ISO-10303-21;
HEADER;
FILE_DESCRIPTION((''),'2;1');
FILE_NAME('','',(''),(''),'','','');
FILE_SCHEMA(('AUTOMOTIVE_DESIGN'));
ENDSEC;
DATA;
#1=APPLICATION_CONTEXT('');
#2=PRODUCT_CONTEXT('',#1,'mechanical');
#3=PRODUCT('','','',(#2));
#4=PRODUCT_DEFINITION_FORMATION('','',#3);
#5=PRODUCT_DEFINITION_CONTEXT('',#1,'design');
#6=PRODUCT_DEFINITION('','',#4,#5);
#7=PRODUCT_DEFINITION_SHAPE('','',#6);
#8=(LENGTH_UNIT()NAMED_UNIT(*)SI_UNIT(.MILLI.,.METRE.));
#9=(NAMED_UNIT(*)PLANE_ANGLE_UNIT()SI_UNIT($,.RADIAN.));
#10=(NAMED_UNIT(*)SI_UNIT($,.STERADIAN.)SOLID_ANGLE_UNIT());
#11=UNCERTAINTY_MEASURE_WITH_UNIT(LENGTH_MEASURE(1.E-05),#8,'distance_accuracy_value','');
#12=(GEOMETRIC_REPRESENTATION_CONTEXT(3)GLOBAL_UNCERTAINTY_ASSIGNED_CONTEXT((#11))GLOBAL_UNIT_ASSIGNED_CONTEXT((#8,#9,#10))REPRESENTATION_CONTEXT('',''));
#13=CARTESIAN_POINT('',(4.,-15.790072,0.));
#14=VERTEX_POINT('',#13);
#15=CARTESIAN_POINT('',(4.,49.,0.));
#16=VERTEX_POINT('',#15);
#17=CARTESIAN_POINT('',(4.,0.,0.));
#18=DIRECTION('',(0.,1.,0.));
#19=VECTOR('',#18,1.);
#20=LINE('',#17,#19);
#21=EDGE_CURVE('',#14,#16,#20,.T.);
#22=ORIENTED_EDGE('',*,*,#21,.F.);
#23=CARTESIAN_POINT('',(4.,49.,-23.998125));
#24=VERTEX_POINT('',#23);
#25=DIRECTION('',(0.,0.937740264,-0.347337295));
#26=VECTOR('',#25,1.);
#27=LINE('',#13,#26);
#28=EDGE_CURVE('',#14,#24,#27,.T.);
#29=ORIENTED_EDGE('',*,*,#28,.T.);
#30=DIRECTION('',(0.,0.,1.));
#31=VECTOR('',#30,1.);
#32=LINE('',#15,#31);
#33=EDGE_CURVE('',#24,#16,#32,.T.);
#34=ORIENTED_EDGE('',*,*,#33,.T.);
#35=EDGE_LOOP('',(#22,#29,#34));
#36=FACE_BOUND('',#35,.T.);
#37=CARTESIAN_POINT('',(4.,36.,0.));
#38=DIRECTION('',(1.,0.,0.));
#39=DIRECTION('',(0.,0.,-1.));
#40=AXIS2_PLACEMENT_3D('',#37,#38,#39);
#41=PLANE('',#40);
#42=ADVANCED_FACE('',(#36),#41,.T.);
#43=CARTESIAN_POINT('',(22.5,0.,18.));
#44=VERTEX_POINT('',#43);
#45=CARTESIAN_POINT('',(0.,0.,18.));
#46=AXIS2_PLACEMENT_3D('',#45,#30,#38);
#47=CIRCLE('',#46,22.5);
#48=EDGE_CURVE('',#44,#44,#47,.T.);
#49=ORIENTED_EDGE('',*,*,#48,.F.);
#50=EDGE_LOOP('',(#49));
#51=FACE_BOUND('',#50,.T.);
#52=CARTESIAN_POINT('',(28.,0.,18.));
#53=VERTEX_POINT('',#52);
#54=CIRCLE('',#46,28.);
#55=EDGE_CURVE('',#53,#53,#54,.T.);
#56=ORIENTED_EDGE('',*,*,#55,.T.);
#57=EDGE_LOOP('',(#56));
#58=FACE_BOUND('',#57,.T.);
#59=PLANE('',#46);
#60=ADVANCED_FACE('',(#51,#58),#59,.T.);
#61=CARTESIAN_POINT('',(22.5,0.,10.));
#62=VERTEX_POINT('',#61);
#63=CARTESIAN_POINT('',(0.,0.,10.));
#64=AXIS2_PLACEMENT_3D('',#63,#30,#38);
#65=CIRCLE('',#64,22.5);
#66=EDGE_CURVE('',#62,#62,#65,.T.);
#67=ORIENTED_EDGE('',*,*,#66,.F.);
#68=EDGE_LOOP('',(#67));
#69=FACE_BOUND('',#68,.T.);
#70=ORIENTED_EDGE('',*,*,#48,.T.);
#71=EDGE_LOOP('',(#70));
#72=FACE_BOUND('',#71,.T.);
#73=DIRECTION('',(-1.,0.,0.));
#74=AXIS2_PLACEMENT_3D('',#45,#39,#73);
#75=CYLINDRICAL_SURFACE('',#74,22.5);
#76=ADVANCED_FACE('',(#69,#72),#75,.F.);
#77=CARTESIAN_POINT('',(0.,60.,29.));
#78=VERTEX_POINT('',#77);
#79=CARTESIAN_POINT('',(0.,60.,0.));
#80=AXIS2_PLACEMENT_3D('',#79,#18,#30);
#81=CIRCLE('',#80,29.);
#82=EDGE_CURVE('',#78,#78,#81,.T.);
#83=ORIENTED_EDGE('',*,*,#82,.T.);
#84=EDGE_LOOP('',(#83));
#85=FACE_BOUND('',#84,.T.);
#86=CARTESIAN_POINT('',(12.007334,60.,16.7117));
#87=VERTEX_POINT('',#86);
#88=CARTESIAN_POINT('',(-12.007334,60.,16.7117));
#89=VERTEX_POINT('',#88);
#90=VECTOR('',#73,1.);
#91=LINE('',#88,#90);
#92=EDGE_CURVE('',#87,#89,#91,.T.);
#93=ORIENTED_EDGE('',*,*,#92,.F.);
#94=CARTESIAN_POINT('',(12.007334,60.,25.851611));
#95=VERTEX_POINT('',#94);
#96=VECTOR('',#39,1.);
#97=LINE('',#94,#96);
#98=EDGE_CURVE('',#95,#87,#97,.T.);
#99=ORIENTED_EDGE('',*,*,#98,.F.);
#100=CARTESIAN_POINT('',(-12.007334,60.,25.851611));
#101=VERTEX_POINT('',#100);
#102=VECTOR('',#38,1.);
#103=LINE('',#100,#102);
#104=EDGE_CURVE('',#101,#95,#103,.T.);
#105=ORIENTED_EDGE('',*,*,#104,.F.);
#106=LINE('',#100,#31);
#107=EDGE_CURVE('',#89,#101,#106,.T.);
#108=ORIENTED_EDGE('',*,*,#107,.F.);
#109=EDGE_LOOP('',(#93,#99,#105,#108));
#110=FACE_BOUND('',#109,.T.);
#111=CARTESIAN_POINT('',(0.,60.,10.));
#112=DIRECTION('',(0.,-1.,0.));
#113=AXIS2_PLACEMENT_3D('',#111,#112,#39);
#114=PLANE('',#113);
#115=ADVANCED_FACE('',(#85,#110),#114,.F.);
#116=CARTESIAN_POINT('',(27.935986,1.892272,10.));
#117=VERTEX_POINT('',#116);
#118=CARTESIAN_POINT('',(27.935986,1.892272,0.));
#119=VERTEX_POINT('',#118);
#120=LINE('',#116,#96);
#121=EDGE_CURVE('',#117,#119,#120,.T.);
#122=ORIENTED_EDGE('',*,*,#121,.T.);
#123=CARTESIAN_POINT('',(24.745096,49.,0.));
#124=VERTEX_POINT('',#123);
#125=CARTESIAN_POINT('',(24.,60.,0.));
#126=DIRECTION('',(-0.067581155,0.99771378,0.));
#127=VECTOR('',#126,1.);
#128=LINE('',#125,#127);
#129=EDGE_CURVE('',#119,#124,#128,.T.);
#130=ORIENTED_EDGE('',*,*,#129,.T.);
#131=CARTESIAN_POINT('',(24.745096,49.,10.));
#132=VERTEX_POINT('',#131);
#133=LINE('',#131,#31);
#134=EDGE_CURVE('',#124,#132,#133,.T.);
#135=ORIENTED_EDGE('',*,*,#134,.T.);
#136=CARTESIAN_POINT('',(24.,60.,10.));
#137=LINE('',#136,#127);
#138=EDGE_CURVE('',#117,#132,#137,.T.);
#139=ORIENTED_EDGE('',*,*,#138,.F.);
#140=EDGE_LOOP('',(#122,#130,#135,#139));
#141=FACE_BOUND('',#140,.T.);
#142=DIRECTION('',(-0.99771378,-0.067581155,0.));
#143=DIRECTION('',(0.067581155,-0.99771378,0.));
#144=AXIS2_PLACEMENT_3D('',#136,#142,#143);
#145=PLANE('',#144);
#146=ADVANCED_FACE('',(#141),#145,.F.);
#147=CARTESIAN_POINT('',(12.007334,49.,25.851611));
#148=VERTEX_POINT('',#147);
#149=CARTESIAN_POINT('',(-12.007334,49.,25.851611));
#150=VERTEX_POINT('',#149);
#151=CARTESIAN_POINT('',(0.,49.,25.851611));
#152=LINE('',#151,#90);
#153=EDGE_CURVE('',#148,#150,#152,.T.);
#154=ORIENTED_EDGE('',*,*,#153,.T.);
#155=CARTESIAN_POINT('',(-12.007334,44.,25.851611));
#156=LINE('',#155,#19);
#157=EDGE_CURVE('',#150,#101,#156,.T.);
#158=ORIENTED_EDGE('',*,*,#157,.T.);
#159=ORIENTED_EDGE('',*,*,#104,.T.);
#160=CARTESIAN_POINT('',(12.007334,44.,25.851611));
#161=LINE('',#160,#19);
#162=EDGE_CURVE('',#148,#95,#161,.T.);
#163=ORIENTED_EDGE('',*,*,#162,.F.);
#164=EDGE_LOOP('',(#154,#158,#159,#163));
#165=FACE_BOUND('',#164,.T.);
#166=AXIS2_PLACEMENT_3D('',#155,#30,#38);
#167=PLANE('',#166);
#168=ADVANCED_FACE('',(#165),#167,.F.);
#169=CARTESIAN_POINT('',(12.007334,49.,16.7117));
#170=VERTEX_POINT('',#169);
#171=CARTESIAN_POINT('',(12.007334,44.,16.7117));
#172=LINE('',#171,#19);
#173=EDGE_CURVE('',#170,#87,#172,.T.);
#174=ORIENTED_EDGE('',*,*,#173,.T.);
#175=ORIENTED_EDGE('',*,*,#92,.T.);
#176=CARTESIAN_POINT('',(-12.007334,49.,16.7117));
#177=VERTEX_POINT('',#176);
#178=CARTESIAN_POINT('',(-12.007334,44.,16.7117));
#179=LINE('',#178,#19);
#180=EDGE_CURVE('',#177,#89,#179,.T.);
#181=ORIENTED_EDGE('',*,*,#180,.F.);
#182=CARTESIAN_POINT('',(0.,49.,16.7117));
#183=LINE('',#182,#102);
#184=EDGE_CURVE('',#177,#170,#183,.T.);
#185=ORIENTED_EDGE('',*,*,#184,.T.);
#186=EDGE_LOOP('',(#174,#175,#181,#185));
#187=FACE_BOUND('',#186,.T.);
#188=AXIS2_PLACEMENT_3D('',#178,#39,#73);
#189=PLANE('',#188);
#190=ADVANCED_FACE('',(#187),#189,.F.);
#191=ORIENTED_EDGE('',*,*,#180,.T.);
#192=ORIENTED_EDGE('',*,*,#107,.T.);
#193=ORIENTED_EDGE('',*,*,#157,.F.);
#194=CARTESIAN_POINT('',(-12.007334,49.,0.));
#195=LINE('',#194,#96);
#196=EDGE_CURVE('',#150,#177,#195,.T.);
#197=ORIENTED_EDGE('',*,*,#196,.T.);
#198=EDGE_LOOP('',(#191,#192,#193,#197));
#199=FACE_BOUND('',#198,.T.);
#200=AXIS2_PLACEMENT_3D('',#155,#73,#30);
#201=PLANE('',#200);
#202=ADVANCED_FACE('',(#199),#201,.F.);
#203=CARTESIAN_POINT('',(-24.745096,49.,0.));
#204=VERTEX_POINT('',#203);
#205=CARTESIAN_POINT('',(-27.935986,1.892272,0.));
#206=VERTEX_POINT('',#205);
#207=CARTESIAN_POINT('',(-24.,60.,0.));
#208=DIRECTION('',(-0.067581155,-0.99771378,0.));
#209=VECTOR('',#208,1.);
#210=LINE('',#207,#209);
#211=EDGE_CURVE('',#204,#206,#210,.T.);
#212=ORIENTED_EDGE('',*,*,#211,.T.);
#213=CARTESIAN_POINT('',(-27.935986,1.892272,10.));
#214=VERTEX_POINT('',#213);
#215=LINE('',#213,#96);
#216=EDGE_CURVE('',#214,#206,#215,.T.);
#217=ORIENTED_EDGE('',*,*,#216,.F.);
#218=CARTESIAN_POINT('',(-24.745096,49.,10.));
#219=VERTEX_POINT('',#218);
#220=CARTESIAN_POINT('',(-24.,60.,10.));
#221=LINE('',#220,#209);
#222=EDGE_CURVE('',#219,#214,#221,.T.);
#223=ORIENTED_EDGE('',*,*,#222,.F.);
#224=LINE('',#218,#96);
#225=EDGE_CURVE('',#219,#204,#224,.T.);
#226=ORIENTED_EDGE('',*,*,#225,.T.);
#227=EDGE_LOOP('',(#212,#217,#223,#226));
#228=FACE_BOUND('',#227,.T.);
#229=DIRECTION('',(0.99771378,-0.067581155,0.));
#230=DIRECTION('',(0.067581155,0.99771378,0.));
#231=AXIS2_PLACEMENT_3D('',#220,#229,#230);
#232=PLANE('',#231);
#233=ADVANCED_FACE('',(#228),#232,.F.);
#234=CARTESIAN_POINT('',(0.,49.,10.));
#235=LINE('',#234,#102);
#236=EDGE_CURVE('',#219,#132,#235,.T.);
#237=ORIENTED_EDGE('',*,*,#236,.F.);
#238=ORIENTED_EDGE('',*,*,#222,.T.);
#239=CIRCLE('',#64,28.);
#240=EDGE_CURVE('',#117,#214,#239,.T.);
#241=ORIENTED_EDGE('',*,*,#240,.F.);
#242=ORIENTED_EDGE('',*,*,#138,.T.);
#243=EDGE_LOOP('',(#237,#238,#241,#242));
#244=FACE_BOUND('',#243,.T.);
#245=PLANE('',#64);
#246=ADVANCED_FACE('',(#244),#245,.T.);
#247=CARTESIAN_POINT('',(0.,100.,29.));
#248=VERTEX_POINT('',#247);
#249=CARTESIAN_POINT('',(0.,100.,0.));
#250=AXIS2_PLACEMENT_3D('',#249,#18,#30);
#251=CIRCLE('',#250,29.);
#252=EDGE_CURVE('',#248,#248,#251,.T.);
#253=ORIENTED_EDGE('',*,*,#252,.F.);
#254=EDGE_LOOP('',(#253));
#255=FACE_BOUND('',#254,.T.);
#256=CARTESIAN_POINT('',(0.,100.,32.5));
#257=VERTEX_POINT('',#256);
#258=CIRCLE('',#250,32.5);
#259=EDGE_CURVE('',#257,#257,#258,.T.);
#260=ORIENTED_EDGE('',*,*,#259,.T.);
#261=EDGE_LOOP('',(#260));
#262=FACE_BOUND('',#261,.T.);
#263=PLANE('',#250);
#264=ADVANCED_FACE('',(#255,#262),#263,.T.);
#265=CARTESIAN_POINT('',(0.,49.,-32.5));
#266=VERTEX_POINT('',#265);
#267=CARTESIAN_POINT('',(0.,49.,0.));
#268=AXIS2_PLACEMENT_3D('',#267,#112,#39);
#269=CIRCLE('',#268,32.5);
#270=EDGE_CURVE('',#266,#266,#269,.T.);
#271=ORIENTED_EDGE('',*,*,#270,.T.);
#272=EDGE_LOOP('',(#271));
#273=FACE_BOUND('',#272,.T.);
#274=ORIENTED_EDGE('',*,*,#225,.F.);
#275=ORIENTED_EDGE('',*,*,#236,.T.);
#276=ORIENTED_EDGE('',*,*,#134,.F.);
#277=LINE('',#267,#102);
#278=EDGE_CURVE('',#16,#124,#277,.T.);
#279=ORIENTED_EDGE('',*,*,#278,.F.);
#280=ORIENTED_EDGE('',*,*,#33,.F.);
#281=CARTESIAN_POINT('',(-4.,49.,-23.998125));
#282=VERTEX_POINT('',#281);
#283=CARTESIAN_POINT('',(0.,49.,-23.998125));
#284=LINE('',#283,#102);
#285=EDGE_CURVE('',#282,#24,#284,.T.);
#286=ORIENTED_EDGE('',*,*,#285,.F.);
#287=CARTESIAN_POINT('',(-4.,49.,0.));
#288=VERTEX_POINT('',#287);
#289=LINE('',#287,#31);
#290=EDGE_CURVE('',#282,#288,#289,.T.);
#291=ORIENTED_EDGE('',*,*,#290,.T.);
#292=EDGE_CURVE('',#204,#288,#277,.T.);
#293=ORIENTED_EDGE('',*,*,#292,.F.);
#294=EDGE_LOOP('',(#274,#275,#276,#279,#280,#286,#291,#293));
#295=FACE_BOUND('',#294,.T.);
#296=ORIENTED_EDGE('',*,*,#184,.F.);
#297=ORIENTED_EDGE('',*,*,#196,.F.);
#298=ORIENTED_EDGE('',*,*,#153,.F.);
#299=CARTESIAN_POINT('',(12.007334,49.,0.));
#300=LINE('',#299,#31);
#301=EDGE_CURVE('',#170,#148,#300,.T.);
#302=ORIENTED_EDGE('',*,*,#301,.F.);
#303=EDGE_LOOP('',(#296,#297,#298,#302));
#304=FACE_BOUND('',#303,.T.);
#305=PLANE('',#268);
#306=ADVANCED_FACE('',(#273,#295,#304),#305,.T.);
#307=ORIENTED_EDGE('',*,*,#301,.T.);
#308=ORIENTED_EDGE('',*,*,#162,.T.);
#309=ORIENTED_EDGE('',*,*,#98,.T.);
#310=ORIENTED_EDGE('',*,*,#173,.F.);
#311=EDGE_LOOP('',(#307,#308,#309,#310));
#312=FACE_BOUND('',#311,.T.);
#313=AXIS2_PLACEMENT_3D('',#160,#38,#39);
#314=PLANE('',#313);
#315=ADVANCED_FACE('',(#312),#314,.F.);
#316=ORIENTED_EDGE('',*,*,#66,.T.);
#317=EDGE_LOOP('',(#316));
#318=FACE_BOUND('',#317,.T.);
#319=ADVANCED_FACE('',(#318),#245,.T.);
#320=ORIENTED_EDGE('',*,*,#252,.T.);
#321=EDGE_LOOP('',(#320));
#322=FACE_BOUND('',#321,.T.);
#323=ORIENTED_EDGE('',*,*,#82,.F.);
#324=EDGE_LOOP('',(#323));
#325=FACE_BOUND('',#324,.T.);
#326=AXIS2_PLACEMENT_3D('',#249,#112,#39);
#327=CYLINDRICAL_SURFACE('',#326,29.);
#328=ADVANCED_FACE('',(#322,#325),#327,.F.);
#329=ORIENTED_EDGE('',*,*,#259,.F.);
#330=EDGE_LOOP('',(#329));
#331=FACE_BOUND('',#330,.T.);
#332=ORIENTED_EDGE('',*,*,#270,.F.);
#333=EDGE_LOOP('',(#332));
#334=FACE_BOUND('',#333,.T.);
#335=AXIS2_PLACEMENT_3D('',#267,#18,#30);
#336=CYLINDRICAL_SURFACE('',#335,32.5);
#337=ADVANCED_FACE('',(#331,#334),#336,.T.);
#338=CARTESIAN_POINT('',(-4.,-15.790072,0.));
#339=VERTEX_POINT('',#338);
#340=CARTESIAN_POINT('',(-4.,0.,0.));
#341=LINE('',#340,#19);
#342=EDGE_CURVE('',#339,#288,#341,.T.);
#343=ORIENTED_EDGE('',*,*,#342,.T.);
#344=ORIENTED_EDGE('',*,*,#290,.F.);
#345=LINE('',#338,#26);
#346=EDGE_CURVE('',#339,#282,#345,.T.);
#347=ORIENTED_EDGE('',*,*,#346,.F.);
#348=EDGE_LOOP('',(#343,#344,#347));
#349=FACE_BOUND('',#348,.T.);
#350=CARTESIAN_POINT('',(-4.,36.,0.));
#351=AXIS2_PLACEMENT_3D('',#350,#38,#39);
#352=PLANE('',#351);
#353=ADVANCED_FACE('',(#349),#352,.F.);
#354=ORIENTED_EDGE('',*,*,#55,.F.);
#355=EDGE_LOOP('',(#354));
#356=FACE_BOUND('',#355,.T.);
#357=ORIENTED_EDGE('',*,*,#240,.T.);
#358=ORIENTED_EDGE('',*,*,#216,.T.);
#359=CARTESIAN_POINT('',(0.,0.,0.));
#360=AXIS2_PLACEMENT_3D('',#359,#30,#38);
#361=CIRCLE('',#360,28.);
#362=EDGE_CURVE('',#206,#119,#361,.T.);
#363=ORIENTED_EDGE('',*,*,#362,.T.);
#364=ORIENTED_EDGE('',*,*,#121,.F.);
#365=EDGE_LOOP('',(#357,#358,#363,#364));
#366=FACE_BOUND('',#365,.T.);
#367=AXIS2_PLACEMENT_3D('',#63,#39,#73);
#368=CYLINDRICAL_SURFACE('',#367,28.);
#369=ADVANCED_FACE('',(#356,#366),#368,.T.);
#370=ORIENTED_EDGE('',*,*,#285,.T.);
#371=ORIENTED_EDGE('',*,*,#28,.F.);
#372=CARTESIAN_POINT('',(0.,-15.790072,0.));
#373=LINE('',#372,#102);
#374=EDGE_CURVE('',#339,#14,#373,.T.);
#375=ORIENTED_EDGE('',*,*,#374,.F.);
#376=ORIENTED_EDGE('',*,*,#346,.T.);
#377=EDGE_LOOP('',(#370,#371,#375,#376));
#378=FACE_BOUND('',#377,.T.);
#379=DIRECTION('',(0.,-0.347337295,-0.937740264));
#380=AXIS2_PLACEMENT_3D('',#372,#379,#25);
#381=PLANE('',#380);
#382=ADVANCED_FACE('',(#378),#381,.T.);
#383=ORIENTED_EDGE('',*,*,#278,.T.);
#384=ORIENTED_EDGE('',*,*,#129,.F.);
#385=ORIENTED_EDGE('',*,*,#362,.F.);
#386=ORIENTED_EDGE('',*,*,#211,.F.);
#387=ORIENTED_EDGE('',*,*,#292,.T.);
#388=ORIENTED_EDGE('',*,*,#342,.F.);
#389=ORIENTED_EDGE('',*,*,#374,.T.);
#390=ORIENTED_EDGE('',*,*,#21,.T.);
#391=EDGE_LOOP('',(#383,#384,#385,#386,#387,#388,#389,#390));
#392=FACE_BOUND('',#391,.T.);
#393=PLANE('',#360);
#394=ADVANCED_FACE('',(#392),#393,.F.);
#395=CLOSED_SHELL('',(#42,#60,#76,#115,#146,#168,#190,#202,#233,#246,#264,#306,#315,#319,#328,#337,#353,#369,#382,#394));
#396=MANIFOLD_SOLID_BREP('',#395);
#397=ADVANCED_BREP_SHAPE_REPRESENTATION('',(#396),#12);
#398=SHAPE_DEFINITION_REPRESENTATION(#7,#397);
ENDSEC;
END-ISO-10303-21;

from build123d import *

# Parameters (mm, degrees)
EXTRUDE_1_DEPTH     = 10
SKETCH_2_R          = 28
SKETCH_2_R_2        = 22.5
EXTRUDE_2_DEPTH     = 8
SKETCH_3_R          = 32.5
SKETCH_3_R_2        = 29
EXTRUDE_3_DEPTH     = 40
SKETCH_4_R          = 32.5
EXTRUDE_4_DEPTH     = 11
RIB_4_REACH         = 112.057
SKETCH_5_WALL_W     = 291.205309728
SKETCH_5_WALL_H     = 8
SKETCH_6_W          = 24.014667972
SKETCH_6_H          = 9.139910945
CUT_EXTRUDE_1_DEPTH = 16


with BuildPart() as part:
    # 草图1 → 凸台-拉伸1 (new body)
    with BuildSketch(Plane.XY):
        with BuildLine():
            Line((0, 60), (-24, 60))
            Line((-24, 60), (-27.935985851, 1.892272326))
            ThreePointArc((-27.935985851, 1.892272326), (0, -28), (27.935985851, 1.892272326))
            Line((27.935985851, 1.892272326), (24, 60))
            Line((24, 60), (0, 60))
        make_face()
    extrude(amount=EXTRUDE_1_DEPTH)

    # 草图2 → 凸台-拉伸2 (add)
    with BuildSketch(Plane.XY.offset(10)):
        with Locations(Location((0, 0, 0), (0, 0, 176.124931535))):
            Circle(SKETCH_2_R)
        Circle(SKETCH_2_R_2, mode=Mode.SUBTRACT)
    extrude(amount=EXTRUDE_2_DEPTH)



with BuildPart() as body_2:
    # 草图3 → 凸台-拉伸3 (new body)
    with BuildSketch(Plane(origin=(0, 60, 0), x_dir=(1, 0, 0), z_dir=(0, 1, 0))):
        with Locations(Location((0, 0, 0), (0, 0, 270))):
            Circle(SKETCH_3_R)
        with Locations(Location((0, 0, 0), (0, 0, 270))):
            Circle(SKETCH_3_R_2, mode=Mode.SUBTRACT)
    extrude(amount=EXTRUDE_3_DEPTH)


with BuildPart() as part_1:
    add(part.part)

    add(body_2.part)  # 凸台-拉伸4 merges body 2
    # 草图4 → 凸台-拉伸4 (add)
    with BuildSketch(Plane.XZ.offset(-60)):
        with Locations(Location((0, 0, 0), (0, 0, 90))):
            Circle(SKETCH_4_R)
    extrude(amount=EXTRUDE_4_DEPTH)

    # 草图5 wall → 筋4 (add, up to next)
    with BuildSketch(Plane(origin=(0, 16.604964226, -11.999062573), x_dir=(0, 0.937740264285, -0.347337295346), z_dir=(0, 0.347337295346, 0.937740264285)), mode=Mode.PRIVATE) as rib_4_sk1:
        Rectangle(SKETCH_5_WALL_W, SKETCH_5_WALL_H)
    rib_4_tool1 = extrude(rib_4_sk1.sketch, amount=RIB_4_REACH, mode=Mode.PRIVATE) - part_1.part
    add(rib_4_tool1.solids().sort_by_distance((0, 16.604964226, -11.999062573))[0])

    # 草图6 → 切除-拉伸1 (cut)
    with BuildSketch(Plane(origin=(0, 60, 0), x_dir=(1, 0, 0), z_dir=(0, 1, 0))):
        with Locations((0, -21.281655386)):
            Rectangle(SKETCH_6_W, SKETCH_6_H)
    extrude(amount=-CUT_EXTRUDE_1_DEPTH, mode=Mode.SUBTRACT)


solid = part_1.part
